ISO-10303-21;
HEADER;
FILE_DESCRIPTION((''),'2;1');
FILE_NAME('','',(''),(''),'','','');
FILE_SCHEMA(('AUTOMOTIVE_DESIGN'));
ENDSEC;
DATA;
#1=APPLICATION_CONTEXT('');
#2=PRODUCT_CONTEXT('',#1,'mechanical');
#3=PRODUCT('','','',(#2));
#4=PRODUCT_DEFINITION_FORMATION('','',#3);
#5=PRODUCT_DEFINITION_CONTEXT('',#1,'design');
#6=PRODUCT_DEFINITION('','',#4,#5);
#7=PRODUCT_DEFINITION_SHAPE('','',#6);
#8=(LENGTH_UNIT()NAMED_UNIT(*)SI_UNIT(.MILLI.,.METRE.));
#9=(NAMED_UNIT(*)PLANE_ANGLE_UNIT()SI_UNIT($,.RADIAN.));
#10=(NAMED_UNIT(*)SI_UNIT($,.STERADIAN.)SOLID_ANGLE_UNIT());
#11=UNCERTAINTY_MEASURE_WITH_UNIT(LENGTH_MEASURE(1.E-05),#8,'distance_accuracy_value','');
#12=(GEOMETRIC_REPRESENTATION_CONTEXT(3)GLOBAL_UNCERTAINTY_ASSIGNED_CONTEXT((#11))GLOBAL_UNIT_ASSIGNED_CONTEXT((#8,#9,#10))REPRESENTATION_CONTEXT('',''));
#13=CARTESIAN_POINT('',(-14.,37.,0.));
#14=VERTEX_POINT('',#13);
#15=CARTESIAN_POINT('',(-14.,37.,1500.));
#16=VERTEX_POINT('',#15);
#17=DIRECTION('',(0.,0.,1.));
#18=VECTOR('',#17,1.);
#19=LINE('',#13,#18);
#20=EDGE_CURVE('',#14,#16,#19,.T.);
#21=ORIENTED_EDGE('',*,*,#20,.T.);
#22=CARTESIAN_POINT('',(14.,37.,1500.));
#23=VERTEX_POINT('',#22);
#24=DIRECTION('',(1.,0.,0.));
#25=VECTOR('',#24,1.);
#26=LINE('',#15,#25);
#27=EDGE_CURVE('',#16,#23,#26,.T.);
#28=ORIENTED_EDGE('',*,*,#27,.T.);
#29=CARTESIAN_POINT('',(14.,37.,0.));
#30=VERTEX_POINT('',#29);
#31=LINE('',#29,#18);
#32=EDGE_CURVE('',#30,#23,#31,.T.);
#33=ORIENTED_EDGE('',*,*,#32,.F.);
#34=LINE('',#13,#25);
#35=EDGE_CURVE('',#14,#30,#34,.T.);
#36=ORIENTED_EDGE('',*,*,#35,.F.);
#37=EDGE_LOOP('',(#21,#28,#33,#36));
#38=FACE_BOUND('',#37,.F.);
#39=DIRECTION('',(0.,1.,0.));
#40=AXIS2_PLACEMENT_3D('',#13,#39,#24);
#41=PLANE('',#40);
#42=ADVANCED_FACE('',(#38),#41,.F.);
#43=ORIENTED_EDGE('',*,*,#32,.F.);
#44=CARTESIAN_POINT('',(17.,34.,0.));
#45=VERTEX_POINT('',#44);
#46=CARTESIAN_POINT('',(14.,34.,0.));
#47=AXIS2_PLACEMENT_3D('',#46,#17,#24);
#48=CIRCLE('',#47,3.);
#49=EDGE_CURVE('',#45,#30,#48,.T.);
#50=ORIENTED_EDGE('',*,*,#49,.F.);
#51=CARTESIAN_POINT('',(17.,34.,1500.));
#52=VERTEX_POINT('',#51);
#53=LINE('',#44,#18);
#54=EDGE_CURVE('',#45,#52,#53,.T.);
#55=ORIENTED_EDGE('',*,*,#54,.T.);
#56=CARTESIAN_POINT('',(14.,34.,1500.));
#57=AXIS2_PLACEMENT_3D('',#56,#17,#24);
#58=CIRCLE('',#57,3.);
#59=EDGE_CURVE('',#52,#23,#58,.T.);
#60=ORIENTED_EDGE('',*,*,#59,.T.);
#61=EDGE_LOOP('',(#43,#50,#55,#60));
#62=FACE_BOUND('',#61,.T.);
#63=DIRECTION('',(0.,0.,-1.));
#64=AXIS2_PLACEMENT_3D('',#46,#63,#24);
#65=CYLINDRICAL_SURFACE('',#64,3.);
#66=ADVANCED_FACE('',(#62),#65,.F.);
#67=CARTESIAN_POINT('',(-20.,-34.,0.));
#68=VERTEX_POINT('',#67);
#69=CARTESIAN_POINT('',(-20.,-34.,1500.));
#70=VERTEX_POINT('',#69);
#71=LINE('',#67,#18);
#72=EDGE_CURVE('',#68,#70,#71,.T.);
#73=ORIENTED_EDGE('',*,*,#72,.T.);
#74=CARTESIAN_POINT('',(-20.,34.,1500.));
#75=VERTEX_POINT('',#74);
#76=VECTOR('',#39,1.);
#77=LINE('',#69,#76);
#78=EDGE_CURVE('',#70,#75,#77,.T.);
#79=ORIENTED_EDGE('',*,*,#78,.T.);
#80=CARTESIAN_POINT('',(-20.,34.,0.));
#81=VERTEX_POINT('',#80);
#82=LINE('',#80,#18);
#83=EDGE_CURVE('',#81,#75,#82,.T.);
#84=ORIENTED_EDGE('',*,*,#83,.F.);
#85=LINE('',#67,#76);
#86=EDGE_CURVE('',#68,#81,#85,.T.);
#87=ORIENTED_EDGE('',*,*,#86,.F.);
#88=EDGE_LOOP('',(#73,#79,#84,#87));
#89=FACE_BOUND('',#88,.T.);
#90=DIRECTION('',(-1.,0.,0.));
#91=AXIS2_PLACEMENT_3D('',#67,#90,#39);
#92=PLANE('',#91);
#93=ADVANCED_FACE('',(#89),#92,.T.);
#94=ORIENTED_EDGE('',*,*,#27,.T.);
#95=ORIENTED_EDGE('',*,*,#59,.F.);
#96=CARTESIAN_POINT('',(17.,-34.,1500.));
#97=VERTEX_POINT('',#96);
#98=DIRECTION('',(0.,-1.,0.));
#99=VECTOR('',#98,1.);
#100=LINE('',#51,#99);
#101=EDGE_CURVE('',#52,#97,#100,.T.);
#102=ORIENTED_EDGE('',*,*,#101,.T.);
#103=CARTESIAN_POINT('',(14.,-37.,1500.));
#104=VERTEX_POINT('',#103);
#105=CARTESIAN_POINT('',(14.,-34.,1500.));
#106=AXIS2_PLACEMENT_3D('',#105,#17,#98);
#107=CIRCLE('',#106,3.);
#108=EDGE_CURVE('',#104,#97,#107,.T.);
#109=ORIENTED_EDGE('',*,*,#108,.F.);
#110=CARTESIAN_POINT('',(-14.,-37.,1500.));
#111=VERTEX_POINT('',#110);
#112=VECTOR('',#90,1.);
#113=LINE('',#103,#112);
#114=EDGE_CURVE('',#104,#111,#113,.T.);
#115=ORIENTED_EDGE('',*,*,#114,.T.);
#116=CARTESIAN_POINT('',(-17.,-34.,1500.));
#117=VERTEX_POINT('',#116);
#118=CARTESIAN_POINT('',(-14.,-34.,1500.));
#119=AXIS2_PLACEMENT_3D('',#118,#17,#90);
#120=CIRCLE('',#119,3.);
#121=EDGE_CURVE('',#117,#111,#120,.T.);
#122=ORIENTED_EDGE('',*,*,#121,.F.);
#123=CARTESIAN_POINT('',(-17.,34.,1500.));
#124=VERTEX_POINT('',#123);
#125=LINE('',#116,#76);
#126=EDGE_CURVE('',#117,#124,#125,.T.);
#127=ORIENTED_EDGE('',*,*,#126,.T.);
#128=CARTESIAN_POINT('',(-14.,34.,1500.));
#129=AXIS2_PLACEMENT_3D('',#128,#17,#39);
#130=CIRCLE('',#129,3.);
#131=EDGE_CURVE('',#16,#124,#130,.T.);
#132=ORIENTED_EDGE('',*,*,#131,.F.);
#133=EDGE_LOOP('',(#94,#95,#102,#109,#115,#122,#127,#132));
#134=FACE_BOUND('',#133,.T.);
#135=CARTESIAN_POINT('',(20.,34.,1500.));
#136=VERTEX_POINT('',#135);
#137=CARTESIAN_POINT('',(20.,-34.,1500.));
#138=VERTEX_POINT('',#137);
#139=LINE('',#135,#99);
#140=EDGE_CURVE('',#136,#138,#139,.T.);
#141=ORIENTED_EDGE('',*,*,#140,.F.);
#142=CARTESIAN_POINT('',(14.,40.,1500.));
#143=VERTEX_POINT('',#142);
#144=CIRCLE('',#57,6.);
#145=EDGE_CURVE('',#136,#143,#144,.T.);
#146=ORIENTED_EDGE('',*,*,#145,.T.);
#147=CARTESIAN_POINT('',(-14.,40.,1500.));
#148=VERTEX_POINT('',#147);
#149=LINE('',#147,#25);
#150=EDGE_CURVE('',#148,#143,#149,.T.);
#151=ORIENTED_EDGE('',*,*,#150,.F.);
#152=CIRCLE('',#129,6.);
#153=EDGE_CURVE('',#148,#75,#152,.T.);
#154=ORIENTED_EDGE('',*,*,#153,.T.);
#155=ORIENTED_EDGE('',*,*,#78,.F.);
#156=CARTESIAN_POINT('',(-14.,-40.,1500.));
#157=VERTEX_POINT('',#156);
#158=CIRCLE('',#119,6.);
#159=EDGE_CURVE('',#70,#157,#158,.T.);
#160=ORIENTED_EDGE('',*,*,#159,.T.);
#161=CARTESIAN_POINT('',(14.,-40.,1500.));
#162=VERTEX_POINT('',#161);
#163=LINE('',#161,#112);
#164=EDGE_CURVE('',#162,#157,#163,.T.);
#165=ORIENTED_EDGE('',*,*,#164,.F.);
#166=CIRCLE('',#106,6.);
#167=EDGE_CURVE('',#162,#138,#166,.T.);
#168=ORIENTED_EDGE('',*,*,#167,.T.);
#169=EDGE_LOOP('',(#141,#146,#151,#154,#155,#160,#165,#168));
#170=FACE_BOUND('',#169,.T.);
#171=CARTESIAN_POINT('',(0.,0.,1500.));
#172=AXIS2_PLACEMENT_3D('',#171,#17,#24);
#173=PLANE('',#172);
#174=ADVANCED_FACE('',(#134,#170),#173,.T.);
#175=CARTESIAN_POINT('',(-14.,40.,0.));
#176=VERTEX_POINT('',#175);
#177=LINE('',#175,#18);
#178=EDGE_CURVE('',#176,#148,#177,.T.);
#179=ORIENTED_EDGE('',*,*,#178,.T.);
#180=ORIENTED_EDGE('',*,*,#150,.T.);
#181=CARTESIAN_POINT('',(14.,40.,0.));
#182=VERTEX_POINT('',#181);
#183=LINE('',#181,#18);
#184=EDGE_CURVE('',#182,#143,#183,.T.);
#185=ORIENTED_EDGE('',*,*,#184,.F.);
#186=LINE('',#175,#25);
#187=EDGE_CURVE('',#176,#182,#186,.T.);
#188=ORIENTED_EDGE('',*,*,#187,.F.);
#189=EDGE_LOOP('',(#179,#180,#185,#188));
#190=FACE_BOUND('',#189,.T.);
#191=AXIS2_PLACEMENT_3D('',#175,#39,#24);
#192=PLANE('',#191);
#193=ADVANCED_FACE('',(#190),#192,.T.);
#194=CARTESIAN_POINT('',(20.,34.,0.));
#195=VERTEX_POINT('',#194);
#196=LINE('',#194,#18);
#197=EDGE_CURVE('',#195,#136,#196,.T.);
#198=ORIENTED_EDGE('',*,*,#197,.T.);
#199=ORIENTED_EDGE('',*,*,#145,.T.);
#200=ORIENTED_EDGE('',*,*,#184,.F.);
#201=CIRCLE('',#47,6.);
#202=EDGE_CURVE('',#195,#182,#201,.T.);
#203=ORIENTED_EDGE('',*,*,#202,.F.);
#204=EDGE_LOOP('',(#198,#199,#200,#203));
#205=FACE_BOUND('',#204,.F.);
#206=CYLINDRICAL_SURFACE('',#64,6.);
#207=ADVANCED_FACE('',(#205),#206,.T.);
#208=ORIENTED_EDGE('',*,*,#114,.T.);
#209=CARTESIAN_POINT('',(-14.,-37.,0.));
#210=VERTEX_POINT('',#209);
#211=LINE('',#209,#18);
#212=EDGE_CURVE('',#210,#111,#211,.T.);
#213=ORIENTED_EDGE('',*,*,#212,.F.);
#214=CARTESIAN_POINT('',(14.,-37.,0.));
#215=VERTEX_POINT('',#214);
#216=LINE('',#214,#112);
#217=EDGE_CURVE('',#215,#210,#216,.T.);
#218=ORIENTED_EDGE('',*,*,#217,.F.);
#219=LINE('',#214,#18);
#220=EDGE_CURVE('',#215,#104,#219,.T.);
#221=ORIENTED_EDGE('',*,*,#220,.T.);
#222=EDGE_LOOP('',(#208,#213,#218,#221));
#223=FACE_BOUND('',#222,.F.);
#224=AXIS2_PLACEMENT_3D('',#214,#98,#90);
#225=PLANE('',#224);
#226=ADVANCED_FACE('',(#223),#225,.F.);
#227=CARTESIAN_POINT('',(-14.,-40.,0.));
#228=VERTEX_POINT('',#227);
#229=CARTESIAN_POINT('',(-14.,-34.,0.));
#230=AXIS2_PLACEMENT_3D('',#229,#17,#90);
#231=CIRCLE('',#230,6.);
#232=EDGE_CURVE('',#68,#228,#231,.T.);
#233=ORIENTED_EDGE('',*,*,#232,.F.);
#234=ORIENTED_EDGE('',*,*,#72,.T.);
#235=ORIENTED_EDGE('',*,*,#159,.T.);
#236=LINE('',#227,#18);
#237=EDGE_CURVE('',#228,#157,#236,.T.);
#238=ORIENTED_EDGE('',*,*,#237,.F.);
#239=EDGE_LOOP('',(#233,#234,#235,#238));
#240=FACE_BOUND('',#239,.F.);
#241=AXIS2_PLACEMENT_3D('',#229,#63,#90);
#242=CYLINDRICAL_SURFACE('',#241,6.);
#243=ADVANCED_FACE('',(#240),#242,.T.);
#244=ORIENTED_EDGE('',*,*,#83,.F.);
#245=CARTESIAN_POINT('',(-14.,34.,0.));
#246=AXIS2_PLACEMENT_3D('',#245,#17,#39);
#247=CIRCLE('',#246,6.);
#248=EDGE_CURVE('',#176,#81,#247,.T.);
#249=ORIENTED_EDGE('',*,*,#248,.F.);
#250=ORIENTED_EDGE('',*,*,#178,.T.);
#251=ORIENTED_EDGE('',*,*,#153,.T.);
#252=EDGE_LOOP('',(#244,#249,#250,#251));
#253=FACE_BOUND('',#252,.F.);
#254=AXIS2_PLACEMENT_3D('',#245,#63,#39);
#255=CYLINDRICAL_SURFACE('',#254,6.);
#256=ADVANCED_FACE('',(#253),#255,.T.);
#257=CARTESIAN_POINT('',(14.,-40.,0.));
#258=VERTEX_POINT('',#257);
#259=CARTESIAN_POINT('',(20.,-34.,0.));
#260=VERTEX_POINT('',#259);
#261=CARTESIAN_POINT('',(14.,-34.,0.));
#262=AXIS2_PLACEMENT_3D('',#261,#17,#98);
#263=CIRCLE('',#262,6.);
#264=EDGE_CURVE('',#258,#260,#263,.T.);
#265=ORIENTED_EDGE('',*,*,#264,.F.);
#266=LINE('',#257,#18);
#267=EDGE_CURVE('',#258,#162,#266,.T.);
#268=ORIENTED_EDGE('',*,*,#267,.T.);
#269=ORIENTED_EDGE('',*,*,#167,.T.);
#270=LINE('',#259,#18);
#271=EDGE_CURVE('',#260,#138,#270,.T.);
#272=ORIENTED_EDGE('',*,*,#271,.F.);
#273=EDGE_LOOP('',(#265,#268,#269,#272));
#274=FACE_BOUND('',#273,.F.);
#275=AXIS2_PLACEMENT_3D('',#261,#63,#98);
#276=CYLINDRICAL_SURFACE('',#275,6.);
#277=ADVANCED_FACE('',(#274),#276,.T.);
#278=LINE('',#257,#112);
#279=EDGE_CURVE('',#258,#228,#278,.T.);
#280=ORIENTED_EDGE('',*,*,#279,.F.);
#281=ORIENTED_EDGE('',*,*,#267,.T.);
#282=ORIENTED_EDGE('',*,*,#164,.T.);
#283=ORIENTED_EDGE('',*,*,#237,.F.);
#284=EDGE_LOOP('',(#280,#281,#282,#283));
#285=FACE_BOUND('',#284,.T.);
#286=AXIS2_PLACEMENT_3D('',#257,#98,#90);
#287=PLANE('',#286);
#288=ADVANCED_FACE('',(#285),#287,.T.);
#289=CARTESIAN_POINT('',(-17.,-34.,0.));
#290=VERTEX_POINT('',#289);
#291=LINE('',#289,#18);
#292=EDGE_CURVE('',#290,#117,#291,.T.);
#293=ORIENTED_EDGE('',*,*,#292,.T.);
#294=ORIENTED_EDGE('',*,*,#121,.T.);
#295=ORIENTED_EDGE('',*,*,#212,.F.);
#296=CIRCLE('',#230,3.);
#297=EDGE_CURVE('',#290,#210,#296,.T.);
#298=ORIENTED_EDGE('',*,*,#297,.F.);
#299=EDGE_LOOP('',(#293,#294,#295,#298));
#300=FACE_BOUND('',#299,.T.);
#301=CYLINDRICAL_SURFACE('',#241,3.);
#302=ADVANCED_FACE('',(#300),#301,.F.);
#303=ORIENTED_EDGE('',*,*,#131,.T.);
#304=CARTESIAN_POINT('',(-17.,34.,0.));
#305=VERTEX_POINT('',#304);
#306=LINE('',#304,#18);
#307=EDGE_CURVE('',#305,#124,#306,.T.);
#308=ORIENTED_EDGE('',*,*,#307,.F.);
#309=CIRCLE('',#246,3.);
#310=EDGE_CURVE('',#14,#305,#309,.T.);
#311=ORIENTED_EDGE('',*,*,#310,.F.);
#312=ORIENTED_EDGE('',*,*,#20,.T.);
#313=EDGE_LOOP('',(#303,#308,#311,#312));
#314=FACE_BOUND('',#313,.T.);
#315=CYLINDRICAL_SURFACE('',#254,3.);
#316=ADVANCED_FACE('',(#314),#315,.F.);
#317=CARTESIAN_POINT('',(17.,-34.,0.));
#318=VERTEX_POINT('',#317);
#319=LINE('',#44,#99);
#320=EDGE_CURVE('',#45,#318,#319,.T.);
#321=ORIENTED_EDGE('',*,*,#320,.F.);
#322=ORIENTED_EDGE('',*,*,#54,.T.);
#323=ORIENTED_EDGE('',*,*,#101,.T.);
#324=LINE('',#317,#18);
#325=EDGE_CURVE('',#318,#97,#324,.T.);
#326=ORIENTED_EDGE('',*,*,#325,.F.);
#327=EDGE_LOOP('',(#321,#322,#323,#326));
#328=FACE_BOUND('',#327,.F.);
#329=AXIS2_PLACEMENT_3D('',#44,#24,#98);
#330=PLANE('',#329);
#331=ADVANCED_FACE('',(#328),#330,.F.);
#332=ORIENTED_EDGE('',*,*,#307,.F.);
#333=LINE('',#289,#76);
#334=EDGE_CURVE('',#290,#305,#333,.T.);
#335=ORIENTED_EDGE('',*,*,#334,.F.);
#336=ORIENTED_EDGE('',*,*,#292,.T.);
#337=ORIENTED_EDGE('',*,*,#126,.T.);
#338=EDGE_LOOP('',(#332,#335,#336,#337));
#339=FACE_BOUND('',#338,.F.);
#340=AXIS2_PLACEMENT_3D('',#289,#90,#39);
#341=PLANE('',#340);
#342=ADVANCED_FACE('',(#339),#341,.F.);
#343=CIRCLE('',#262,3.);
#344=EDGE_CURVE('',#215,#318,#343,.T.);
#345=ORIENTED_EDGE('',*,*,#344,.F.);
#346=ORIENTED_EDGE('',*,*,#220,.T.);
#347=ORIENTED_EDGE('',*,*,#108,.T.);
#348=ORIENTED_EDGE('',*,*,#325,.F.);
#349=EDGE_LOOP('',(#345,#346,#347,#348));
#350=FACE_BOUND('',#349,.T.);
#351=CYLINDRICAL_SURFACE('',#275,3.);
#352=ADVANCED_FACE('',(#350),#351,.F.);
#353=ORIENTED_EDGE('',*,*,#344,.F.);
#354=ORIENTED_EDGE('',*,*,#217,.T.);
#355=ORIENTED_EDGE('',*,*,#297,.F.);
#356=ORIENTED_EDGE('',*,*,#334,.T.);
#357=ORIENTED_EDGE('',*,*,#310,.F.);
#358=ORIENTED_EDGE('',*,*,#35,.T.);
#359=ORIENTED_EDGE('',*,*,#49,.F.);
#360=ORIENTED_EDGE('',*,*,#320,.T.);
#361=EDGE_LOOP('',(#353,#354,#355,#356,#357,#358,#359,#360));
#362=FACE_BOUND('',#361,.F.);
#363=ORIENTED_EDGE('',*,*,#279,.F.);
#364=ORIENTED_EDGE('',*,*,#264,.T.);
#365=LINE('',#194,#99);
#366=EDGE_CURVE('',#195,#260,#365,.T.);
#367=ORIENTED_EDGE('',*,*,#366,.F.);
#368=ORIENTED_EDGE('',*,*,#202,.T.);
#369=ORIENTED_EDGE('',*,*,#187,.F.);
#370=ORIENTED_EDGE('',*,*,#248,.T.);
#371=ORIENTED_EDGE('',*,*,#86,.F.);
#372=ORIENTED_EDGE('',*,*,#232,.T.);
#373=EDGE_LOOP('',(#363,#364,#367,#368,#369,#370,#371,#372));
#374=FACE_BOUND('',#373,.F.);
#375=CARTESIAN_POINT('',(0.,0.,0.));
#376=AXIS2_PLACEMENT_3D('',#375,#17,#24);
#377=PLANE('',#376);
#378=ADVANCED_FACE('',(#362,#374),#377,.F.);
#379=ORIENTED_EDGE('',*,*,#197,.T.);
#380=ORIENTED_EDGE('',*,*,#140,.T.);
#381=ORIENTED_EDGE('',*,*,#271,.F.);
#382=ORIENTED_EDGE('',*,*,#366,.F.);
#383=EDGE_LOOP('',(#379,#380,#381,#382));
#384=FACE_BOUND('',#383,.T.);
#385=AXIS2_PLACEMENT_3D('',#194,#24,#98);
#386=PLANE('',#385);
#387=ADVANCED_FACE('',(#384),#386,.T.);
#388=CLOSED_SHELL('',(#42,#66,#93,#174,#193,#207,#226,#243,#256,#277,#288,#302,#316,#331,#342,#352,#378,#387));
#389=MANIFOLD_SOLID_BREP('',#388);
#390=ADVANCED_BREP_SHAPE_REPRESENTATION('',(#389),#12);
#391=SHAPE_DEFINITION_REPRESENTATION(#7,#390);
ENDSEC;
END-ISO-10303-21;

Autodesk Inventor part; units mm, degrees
ref_plane "YZ Plane" through (0, 0, 0) normal (1, 0, 0) x (0, 1, 0)
ref_plane "Start Plane" through (0, 0, 0) normal (0, 0, 1) x (1, 0, 0)
ref_plane "End Plane" through (0, 0, 1500) normal (0, 0, 1) x (1, 0, 0)
sketch "Sketch" plane through (0, 0, 0) normal (0, 0, 1) x (1, 0, 0)
  line L0 (-20, -34) -> (-20, 34)
  line L1 (-14, 40) -> (14, 40)
  line L2 (20, 34) -> (20, -34)
  line L3 (14, -40) -> (-14, -40)
  arc A0 (-20, -34) -> (-14, -40) centre (-14, -34) ccw
  arc A1 (20, 34) -> (14, 40) centre (14, 34) ccw
  arc A2 (-14, 40) -> (-20, 34) centre (-14, 34) ccw
  arc A3 (14, -40) -> (20, -34) centre (14, -34) ccw
  arc A4 (-14, 37) -> (-17, 34) centre (-14, 34) ccw
  line L4 (-14, 37) -> (14, 37)
  arc A5 (17, 34) -> (14, 37) centre (14, 34) ccw
  line L5 (17, 34) -> (17, -34)
  arc A6 (14, -37) -> (17, -34) centre (14, -34) ccw
  line L6 (14, -37) -> (-14, -37)
  arc A7 (-17, -34) -> (-14, -37) centre (-14, -34) ccw
  line L7 (-17, -34) -> (-17, 34)
  line L8 (0, 57.7397) -> (0, -57.7397) construction
  line L9 (-29.7397, 0) -> (29.7397, 0) construction
  dimension "d7" = 6
  dimension "d9" = 40
  dimension "d11" = 80
  dimension "d12" = 3
  dimension "d15" = 20
  dimension "d16" = 40
extrude "Body" add sketch "Sketch" along normal up to surface (1500 mm away) from surface at 0
sketch "Sketch3" plane through (0, 0, 0) normal (0, 0, 1) x (1, 0, 0)
  line L0 (0, 0) -> (10, 0)
ref_plane "Work Plane3" through (0, 0, 0) normal (0, -1, 0) x (1, 0, 0)
sketch "Sketch4" plane through (0, 0, 0) normal (0, -1, 0) x (1, 0, 0)
  line L0 (-2, 0) -> (12, 0) projected
  line L1 (-2, 1500) -> (12, 1500) projected
  dimension "d18" = 1500
equation "\"d7\" = G_IR"
equation "\"d9\" = G_W"
equation "\"d11\" = G_H"
equation "\"d12\" = G_T"
equation "\"d15\" = 0.5 * d9"
equation "\"d16\" = 0.5 * d11"
equation "\"d3\" = G_L"
equation "\"G_W\" = 40"
equation "\"G_H\" = 80"
equation "\"G_T\" = 3"
equation "\"G_IR\" = 6"
equation "\"G_L\" = d18"
equation "\"G_OFFSET_START\" = 0"
equation "\"G_OFFSET_END\" = 0"
properties part number "ISO 10799-2 - 80x40x3 - 1500" material "Steel, Mild"
